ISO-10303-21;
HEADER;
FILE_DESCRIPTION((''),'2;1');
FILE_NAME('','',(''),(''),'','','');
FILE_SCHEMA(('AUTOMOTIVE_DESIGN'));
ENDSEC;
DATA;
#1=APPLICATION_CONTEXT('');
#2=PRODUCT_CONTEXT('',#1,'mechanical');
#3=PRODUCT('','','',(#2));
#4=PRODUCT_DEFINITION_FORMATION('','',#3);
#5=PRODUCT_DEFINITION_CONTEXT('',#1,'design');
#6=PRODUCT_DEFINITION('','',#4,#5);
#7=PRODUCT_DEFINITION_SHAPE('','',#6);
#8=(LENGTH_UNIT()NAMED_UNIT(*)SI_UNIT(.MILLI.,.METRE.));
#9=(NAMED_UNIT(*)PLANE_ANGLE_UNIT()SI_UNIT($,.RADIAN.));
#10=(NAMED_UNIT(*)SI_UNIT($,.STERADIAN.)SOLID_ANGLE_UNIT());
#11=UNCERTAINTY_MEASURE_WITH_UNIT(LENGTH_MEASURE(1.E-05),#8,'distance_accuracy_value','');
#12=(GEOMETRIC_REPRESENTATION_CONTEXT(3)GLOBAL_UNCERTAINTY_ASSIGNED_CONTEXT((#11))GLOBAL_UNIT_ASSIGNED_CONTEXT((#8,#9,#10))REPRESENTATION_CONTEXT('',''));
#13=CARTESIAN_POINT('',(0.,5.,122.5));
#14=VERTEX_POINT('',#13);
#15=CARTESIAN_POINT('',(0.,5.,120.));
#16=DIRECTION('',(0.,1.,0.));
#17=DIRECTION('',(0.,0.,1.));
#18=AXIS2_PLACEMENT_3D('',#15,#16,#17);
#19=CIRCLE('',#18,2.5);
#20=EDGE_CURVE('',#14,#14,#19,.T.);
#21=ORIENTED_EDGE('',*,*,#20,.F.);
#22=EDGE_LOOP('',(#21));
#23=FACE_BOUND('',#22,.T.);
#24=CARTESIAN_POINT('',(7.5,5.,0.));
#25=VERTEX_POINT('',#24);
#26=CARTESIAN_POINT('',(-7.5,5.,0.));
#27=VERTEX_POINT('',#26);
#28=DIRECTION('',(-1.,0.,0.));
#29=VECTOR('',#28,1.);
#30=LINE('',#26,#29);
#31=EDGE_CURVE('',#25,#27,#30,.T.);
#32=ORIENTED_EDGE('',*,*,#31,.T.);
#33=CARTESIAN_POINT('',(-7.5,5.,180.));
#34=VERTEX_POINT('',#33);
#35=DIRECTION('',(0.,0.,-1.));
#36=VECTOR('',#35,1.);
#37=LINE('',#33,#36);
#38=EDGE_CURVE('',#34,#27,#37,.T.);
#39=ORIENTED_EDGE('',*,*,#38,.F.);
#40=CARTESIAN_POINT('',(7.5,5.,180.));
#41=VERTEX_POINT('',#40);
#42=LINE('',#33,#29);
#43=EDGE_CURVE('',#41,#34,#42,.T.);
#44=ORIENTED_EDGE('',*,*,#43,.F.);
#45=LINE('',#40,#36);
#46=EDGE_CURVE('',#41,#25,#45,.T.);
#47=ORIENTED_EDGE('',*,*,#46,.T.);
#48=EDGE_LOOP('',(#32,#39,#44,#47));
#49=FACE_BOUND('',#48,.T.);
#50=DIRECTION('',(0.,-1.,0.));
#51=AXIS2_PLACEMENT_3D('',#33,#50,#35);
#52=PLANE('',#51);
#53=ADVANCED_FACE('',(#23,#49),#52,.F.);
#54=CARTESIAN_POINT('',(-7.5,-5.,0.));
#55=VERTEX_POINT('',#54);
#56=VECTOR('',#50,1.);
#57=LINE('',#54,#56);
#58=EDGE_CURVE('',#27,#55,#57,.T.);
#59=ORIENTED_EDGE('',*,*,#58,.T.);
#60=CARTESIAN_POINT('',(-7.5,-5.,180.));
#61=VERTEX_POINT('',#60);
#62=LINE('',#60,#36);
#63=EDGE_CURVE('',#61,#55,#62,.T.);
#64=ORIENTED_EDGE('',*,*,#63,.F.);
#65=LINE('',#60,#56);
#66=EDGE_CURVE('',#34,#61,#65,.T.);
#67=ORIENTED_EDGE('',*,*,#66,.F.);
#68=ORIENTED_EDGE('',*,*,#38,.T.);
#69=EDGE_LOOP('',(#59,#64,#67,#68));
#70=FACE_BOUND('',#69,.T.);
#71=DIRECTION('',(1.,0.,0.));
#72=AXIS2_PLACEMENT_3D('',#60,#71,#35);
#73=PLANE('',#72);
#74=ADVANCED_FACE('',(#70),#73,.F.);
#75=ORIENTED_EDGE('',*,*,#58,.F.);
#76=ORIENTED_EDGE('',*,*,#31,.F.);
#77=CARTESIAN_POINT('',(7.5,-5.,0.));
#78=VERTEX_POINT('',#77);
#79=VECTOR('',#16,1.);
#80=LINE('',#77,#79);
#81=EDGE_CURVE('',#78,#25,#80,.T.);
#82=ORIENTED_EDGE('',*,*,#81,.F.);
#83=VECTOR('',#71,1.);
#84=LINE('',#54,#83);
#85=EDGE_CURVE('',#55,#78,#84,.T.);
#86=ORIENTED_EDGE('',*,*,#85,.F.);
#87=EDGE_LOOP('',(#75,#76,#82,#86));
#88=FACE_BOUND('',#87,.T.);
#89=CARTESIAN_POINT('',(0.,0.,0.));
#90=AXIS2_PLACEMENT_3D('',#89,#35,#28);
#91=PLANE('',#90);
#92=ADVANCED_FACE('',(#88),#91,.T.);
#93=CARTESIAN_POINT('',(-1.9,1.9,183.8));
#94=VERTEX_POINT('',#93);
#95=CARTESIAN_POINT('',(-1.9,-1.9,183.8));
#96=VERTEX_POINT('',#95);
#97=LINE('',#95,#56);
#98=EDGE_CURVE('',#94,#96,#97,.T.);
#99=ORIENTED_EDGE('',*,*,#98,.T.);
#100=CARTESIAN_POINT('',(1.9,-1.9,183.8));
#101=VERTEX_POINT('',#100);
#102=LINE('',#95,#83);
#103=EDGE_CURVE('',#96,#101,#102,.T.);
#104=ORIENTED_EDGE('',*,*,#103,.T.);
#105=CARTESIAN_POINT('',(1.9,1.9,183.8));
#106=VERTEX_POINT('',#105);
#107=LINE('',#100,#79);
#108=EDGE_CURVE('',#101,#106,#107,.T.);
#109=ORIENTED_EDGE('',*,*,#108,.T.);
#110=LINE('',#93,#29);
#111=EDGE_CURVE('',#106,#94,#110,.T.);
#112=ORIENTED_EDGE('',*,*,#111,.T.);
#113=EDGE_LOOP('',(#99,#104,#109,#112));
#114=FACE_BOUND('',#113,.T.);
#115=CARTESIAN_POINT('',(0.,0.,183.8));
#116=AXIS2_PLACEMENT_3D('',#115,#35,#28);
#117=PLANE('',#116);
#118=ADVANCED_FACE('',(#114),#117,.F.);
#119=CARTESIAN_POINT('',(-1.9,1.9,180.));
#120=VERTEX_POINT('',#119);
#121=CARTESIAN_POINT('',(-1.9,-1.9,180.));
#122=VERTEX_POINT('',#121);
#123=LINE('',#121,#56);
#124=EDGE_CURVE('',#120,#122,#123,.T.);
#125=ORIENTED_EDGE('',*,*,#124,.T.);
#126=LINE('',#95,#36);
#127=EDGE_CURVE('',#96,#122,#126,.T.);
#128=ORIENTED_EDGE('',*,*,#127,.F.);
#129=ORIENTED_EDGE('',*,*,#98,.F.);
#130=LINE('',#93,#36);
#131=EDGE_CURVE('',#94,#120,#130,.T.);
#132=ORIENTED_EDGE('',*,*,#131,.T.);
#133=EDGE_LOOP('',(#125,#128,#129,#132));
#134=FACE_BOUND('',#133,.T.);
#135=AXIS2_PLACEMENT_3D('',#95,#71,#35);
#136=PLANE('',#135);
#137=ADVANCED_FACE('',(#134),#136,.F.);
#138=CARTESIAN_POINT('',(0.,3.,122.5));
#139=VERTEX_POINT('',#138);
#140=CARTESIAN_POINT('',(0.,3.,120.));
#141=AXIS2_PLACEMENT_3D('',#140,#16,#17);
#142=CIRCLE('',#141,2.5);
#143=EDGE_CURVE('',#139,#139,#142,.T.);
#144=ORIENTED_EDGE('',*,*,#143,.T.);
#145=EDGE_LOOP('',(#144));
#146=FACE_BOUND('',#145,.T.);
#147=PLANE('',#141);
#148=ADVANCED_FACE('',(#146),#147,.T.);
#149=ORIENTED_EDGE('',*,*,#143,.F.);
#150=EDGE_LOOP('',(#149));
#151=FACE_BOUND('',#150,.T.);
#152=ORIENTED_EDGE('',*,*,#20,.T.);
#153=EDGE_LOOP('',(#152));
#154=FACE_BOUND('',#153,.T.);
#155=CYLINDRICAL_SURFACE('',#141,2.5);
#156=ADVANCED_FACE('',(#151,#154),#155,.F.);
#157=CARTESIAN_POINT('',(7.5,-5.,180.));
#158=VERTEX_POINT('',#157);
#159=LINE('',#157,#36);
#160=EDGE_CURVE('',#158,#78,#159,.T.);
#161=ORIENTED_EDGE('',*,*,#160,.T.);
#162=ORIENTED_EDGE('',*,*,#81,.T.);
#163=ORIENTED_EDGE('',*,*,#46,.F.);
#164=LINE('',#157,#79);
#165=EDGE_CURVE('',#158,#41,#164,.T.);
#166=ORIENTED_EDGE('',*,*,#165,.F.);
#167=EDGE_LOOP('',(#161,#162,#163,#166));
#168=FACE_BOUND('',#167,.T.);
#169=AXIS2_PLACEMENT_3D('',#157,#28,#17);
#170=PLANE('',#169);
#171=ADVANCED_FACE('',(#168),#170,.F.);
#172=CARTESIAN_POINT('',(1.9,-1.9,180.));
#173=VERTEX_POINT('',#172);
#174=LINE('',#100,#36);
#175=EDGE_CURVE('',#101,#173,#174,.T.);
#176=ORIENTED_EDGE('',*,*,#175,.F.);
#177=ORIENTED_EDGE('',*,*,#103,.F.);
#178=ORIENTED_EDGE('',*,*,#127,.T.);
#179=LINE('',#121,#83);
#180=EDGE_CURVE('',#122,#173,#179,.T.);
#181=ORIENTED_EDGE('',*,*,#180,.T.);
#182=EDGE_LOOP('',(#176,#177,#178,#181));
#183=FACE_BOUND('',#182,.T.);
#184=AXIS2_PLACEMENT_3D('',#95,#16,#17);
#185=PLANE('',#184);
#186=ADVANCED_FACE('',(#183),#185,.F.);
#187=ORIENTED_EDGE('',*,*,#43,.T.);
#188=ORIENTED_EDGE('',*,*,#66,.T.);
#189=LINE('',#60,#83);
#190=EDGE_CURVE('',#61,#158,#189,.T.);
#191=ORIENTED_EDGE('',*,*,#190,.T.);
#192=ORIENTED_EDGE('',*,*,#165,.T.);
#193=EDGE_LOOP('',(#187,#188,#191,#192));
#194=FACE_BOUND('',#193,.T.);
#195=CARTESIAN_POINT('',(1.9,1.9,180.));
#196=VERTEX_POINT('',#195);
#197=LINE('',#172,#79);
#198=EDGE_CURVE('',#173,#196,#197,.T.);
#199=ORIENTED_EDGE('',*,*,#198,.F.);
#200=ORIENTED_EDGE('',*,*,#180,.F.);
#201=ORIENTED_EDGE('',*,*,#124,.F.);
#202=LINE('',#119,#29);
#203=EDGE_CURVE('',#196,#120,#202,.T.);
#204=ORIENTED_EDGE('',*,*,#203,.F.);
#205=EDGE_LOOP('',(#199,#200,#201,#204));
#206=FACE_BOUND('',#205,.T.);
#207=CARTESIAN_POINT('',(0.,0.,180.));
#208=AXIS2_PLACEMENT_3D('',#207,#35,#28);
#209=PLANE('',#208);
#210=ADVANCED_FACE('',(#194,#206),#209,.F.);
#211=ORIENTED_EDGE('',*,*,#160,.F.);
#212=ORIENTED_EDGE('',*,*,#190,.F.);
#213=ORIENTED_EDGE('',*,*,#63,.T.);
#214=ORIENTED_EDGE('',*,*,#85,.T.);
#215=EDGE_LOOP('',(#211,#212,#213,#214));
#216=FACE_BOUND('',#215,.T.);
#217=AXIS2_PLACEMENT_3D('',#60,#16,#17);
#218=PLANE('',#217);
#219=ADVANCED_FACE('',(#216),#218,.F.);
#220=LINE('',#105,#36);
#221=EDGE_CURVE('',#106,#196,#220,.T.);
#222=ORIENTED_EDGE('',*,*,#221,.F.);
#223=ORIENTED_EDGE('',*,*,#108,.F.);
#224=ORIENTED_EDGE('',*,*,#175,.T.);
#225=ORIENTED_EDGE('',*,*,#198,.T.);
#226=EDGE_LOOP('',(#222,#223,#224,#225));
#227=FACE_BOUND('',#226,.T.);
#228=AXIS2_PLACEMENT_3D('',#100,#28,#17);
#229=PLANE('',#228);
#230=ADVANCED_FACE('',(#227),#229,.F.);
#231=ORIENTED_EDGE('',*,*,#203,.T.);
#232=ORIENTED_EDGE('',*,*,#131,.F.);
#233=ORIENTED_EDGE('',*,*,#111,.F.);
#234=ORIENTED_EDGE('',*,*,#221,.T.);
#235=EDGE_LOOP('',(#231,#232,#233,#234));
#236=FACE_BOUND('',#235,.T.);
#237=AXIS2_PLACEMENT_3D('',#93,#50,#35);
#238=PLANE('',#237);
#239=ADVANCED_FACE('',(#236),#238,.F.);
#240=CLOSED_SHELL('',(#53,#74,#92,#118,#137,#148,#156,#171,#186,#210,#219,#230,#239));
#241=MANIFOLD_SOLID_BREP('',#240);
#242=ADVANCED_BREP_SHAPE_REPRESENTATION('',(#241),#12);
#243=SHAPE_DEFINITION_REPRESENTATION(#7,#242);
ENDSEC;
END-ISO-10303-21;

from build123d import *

# Parameters (mm, degrees)
SKETCH1_W           = 15
SKETCH1_H           = 10
BOSS_EXTRUDE1_DEPTH = 180
SKETCH2_W           = 3.8
SKETCH2_H           = 3.8
BOSS_EXTRUDE2_DEPTH = 3.8
SKETCH3_R           = 2.5
CUT_EXTRUDE1_DEPTH  = 2


with BuildPart() as part:
    # Sketch1 → Boss-Extrude1 (new body)
    with BuildSketch(Plane.XY):
        Rectangle(SKETCH1_W, SKETCH1_H)
    extrude(amount=BOSS_EXTRUDE1_DEPTH)

    # Sketch2 → Boss-Extrude2 (add)
    with BuildSketch(Plane.XY.offset(180)):
        Rectangle(SKETCH2_W, SKETCH2_H)
    extrude(amount=BOSS_EXTRUDE2_DEPTH)

    # Sketch3 → Cut-Extrude1 (cut)
    with BuildSketch(Plane(origin=(0, 5, 0), x_dir=(1, 0, 0), z_dir=(0, 1, 0))):
        with Locations((0, -120)):
            Circle(SKETCH3_R)
    extrude(amount=-CUT_EXTRUDE1_DEPTH, mode=Mode.SUBTRACT)


solid = part.part
